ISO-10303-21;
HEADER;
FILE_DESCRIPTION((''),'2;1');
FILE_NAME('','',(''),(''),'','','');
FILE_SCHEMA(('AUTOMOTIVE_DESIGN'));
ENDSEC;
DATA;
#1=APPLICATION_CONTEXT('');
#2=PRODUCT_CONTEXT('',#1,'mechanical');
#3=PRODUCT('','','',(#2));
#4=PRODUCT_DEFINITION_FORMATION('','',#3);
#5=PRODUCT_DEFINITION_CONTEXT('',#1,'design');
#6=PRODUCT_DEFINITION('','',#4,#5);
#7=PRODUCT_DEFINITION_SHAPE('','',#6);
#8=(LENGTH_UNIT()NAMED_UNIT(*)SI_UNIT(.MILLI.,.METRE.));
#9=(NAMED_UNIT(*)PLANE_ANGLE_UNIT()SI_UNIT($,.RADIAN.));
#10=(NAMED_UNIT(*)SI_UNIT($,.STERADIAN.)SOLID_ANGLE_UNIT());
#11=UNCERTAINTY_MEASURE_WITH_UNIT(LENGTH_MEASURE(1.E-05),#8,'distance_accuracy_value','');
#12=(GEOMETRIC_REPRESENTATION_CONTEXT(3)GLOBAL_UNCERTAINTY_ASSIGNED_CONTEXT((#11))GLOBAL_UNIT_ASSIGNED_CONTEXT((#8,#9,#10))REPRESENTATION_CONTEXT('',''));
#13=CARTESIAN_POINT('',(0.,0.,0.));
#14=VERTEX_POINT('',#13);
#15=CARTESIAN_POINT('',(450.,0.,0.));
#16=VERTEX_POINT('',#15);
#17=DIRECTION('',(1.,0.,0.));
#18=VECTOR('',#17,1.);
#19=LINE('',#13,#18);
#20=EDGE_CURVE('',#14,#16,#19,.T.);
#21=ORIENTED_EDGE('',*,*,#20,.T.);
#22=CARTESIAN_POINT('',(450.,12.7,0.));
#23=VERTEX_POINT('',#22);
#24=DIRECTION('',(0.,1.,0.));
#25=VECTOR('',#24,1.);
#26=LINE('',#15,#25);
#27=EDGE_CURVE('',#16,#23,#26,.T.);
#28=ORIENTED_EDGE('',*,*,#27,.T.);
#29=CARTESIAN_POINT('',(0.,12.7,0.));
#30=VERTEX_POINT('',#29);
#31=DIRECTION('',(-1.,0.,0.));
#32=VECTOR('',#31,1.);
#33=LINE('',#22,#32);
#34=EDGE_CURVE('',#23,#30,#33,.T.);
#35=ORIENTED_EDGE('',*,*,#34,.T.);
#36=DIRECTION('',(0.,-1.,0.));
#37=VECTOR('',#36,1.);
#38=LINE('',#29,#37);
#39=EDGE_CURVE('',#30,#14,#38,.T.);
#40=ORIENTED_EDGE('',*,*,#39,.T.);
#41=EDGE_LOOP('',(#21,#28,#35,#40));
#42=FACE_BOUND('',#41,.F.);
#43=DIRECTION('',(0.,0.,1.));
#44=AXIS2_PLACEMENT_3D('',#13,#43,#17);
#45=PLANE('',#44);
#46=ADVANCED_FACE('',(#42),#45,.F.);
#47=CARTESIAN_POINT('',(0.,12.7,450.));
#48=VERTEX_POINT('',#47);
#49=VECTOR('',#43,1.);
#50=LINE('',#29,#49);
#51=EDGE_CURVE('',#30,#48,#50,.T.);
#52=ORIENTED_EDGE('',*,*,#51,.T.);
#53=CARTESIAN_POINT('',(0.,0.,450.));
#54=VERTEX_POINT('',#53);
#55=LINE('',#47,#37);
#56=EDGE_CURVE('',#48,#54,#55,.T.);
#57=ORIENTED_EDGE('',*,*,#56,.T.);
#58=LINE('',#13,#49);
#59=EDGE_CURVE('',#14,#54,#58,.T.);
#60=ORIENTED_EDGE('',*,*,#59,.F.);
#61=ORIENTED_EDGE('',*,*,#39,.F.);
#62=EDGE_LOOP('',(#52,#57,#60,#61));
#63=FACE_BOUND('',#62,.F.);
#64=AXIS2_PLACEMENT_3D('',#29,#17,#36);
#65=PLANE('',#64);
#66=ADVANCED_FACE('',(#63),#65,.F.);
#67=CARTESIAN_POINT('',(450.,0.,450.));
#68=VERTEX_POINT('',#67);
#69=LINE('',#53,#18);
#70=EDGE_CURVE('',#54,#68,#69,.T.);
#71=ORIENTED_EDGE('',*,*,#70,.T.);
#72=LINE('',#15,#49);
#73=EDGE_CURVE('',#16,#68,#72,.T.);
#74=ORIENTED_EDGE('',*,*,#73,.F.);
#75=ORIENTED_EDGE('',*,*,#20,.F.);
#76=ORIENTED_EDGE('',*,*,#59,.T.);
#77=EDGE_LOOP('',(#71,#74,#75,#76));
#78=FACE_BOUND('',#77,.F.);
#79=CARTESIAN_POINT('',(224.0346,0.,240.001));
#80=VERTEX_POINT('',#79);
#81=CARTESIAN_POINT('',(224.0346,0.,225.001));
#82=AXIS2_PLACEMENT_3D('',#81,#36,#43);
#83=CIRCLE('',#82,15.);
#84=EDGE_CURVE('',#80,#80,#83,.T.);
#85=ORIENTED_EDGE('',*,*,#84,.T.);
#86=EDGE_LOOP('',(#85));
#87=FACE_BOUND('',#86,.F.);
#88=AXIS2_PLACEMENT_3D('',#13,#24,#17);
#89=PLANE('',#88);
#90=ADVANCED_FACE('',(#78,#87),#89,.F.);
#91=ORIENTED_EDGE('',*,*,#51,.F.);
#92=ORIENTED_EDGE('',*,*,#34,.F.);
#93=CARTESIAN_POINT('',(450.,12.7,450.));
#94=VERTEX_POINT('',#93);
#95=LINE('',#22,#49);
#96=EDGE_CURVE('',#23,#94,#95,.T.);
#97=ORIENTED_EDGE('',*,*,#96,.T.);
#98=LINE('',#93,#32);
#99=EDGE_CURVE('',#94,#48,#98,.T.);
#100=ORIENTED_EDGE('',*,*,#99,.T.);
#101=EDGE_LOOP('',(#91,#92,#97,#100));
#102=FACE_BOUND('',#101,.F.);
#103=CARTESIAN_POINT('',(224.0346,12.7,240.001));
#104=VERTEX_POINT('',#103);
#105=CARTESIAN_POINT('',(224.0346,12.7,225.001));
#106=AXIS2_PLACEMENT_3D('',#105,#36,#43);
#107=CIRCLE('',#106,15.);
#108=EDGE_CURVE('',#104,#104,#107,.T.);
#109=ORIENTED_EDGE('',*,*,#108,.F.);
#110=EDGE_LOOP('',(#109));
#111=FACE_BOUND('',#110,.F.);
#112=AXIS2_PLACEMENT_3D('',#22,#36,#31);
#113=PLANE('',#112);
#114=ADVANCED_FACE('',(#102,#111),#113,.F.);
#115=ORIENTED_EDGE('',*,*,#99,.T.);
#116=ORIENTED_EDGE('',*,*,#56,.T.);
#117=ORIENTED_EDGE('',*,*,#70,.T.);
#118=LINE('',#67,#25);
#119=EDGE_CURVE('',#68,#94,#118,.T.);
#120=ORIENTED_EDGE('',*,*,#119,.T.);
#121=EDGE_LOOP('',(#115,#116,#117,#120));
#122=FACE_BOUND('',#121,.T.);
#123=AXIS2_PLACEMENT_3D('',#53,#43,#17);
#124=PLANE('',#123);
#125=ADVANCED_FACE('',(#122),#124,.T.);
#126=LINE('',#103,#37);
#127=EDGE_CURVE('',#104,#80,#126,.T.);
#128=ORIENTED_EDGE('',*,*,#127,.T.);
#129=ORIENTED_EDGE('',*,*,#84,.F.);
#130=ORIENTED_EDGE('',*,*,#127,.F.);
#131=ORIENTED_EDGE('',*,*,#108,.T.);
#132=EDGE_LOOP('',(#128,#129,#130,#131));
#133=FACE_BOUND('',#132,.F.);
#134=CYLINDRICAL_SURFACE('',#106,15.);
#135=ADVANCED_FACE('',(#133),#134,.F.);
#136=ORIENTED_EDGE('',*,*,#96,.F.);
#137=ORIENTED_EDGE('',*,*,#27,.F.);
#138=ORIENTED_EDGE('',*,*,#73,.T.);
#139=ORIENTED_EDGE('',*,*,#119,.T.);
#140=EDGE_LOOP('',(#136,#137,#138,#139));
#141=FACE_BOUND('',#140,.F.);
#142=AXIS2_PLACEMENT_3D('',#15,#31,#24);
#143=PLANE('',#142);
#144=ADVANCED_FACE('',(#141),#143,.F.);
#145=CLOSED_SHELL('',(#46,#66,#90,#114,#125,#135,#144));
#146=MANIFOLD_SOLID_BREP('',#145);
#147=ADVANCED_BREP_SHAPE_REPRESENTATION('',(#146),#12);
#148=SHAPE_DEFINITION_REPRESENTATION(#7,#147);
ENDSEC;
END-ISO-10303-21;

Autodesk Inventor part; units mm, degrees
ref_plane "YZ Plane" through (0, 0, 0) normal (1, 0, 0) x (0, 1, 0)
ref_plane "XZ Plane" through (0, 0, 0) normal (0, 1, 0) x (-1, 0, 0)
ref_plane "XY Plane" through (0, 0, 0) normal (0, 0, 1) x (1, 0, 0)
sketch "Boceto1" plane through (0, 0, 0) normal (0, 0, 1) x (1, 0, 0)
  line L0 (0, 0) -> (450, 0)
  line L1 (450, 0) -> (450, 12.7)
  line L2 (450, 12.7) -> (0, 12.7)
  line L3 (0, 12.7) -> (0, 0)
  dimension "d0" = 450
  dimension "d1" = 12.7
extrude "Extrusión1" add sketch "Boceto1" along normal blind 450
sketch "Boceto2" plane through (0, 12.7, 0) normal (0, 1, 0) x (1, 0, 0)
  line L0 (0, -450) -> (450, -450) projected
  circle A0 centre (224.0346, -225.001) radius 10
  point P0 (0, 0)
  dimension "d4" = 20
hole "Agujero1" at (224.0346, 12.7, 225.001) direction (0, -1, 0) diameter 30 end through all
properties part number "Base"
